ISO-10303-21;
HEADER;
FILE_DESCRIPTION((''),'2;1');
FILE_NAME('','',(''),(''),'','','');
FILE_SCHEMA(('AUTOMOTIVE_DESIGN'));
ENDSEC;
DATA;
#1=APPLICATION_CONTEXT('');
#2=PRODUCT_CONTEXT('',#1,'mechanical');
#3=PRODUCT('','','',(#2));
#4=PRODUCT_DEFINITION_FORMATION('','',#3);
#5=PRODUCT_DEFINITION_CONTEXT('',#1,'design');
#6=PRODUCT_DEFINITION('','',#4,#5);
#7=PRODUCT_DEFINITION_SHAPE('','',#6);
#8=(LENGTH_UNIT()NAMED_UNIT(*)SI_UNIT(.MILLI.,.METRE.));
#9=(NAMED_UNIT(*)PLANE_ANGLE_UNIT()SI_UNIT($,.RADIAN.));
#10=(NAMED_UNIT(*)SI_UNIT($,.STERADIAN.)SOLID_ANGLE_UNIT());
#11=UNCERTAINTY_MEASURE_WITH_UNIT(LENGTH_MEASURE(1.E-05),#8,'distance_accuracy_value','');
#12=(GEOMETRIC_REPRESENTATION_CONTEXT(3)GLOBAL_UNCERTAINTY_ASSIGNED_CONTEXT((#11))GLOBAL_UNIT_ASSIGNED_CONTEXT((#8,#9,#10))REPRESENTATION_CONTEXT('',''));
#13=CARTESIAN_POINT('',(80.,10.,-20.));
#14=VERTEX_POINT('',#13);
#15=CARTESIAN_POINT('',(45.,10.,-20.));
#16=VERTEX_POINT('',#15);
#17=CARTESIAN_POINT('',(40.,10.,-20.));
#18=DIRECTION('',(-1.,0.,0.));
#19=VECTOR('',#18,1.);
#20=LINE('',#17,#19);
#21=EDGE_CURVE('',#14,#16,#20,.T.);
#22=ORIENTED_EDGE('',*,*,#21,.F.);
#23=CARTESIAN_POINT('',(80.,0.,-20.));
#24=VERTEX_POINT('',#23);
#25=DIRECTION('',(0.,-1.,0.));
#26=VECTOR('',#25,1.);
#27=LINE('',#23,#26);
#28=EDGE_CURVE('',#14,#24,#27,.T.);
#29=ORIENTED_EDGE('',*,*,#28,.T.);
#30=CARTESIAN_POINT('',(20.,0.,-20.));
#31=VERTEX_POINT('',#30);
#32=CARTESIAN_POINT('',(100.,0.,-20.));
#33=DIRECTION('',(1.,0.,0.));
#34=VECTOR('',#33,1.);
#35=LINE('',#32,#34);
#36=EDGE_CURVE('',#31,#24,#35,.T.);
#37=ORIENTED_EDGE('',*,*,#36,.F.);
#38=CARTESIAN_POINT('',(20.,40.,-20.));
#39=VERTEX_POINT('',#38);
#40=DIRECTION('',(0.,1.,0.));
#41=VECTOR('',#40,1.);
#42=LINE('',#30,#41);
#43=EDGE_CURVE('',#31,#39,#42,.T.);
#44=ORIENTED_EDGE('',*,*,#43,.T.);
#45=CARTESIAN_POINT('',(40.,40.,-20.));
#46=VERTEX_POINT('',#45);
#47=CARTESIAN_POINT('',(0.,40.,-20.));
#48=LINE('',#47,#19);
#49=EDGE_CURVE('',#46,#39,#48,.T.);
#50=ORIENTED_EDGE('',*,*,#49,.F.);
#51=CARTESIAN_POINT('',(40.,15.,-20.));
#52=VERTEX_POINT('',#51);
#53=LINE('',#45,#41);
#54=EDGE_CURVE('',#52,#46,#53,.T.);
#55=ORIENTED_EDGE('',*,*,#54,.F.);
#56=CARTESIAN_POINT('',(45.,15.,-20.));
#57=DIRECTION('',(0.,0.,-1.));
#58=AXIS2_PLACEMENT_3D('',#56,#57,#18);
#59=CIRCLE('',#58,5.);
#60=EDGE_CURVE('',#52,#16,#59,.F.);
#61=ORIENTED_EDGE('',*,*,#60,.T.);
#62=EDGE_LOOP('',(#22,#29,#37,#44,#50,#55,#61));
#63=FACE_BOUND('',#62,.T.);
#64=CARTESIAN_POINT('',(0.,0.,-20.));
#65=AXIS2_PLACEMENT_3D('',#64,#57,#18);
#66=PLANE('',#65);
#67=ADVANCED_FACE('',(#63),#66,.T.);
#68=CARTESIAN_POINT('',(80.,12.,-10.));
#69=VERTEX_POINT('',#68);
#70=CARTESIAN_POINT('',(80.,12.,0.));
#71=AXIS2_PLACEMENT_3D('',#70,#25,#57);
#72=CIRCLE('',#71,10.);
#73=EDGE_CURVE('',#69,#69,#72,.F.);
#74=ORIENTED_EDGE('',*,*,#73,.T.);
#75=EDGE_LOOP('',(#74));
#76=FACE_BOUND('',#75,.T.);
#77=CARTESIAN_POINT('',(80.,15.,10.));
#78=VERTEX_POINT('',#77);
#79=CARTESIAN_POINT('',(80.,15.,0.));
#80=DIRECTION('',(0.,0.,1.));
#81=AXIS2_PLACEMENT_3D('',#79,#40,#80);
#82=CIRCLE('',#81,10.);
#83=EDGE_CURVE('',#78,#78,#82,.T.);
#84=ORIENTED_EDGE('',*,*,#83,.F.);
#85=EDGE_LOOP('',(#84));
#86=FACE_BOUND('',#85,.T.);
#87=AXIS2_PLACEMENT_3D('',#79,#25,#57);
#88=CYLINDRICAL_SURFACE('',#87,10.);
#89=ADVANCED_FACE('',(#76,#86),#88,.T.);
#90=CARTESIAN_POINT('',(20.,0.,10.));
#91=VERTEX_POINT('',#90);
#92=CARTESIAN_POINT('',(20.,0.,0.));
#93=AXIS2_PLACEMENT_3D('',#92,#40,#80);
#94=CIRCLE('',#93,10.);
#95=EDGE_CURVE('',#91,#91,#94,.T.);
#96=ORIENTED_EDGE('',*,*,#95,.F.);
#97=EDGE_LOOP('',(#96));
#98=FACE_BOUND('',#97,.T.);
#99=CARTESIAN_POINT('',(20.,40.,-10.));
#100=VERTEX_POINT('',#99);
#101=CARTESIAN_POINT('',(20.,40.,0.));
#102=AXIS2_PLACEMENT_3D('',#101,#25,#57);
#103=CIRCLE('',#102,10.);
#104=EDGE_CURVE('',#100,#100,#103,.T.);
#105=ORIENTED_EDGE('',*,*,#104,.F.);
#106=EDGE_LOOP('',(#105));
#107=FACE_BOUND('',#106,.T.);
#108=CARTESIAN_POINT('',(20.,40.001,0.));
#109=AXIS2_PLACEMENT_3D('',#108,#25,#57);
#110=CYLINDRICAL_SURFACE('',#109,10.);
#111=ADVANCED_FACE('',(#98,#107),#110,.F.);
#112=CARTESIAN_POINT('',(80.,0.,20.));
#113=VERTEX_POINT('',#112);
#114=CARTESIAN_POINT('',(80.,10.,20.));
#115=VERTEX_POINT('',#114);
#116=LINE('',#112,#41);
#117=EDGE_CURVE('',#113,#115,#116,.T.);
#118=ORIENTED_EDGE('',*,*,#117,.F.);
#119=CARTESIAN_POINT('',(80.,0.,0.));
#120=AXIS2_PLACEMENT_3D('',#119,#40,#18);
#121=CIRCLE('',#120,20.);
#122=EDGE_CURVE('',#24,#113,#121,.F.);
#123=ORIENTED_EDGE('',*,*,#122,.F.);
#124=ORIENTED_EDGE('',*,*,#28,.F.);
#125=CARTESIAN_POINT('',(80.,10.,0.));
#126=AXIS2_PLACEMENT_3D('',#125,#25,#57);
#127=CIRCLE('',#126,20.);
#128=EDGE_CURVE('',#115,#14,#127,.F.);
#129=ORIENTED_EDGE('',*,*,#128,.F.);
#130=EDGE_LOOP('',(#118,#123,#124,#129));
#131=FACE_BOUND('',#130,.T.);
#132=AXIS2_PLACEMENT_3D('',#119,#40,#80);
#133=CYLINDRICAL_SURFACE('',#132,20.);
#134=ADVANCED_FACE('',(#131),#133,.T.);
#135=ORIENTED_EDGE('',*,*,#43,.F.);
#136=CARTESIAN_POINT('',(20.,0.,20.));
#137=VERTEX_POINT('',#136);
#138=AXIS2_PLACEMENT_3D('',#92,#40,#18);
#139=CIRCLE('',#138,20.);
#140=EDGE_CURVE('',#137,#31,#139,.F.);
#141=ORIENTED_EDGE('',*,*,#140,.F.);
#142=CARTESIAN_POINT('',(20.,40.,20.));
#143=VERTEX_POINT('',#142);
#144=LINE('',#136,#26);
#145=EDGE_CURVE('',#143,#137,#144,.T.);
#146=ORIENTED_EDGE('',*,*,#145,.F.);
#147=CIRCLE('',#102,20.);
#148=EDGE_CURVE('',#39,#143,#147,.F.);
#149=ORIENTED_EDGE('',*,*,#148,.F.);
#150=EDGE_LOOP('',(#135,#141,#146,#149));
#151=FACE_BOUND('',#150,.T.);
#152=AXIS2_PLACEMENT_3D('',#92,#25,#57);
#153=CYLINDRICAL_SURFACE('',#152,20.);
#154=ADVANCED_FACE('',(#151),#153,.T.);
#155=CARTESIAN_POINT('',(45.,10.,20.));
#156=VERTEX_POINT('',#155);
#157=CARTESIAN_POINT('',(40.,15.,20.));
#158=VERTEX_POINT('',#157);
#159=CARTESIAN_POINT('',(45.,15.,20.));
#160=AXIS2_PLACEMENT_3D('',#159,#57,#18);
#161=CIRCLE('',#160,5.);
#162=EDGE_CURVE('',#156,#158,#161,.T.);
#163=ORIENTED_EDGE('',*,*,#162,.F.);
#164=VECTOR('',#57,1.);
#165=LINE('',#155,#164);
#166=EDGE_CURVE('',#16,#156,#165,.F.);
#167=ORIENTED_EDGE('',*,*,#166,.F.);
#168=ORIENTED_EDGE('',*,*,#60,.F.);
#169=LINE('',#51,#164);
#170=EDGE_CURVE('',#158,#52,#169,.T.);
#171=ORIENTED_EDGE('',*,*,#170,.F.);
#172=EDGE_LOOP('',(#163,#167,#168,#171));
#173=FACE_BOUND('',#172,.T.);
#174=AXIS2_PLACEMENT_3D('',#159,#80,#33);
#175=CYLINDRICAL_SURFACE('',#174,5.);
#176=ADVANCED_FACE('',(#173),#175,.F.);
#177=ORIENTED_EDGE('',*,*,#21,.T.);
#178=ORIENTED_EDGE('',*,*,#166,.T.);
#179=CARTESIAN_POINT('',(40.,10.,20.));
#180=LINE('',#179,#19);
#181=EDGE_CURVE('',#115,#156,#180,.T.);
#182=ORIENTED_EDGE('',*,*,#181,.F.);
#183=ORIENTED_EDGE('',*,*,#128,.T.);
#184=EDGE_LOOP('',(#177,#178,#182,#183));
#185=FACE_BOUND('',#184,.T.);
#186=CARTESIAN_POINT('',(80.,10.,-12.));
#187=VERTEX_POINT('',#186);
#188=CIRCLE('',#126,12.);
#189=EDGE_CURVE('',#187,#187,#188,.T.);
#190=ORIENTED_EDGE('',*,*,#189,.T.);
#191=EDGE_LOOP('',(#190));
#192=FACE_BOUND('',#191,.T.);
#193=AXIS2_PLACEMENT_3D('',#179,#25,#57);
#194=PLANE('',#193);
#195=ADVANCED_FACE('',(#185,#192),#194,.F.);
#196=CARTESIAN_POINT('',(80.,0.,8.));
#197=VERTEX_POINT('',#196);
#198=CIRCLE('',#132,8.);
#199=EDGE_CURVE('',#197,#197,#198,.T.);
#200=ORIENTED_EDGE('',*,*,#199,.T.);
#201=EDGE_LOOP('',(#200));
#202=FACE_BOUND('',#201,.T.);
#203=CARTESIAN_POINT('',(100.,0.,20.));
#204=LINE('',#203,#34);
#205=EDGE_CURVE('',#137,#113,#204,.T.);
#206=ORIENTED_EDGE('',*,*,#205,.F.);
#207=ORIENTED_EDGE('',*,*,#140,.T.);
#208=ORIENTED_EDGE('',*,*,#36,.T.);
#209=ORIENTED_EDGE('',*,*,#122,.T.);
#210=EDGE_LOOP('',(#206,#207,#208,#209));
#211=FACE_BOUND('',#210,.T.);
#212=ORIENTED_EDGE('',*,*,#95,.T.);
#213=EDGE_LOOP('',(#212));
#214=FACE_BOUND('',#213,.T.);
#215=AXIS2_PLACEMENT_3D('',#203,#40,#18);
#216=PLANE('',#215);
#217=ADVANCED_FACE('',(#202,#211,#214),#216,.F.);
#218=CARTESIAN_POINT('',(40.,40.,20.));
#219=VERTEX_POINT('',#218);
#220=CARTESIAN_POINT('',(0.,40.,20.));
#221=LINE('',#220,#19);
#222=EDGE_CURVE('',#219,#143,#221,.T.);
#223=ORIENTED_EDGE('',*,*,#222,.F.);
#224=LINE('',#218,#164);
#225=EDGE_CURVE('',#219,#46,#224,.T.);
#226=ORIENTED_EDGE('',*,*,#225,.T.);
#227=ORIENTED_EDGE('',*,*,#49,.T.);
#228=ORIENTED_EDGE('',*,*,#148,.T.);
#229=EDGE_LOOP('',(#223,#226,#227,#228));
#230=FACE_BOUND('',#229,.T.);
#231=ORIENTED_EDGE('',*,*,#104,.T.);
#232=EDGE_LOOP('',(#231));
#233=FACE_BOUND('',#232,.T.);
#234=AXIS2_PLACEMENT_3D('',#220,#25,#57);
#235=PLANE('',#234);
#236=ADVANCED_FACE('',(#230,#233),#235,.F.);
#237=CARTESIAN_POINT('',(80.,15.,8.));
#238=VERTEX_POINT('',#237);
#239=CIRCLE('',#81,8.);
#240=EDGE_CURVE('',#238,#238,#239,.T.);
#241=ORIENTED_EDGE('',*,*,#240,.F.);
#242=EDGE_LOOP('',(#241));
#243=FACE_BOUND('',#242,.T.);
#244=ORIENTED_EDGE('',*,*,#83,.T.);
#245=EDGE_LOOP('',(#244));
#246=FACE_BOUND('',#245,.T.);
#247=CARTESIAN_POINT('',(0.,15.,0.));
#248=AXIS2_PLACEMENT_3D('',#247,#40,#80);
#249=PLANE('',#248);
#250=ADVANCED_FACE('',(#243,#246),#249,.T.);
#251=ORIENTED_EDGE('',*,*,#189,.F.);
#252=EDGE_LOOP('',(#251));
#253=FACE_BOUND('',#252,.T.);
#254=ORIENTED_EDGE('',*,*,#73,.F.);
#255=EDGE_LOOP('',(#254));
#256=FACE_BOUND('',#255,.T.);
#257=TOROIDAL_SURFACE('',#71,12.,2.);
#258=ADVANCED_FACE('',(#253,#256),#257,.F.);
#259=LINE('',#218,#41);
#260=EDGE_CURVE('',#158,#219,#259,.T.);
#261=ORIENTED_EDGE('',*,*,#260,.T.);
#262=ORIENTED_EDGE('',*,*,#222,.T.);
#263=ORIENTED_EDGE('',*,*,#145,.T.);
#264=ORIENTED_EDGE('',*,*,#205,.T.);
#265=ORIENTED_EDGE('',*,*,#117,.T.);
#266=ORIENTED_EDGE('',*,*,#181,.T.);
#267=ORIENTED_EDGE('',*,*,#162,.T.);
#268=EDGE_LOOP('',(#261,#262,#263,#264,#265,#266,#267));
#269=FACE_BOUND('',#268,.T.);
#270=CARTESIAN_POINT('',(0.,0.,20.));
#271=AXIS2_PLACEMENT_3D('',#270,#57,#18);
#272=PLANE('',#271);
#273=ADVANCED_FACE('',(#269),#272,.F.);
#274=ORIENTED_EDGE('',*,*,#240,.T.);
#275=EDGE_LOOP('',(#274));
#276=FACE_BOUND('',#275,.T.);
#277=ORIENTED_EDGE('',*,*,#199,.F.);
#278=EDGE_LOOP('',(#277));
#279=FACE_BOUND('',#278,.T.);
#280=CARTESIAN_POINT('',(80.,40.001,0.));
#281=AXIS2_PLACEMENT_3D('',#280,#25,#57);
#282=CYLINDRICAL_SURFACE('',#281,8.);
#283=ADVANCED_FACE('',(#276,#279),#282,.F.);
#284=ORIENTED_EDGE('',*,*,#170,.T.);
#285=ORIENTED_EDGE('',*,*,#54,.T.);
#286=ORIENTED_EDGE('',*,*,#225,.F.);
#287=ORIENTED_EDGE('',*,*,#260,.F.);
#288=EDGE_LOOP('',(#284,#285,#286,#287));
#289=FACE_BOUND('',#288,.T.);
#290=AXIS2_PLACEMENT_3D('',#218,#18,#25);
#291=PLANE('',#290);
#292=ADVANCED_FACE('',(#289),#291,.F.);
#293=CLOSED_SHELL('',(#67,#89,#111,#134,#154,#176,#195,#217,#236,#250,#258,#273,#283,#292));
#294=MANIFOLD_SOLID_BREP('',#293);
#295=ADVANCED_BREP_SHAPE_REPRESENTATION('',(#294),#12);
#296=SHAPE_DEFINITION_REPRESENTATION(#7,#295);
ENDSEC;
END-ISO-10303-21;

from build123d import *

# Parameters (mm, degrees)
BOSS_EXTRUDE1_DEPTH = 20
FILLET7_RADIUS      = 20
FILLET7_LENGTH      = 40
FILLET8_RADIUS      = 20
FILLET8_LENGTH      = 10
FILLET9_R           = 5
CUT_EXTRUDE1_REACH  = 111.545
SKETCH2_R           = 10
SKETCH2_R_2         = 8
SKETCH2_4_R         = 10
SKETCH2_4_R_2       = 8
BOSS_EXTRUDE2_DEPTH = 15
FILLET10_R          = 2


with BuildPart() as part:
    # Sketch1 → Boss-Extrude1 (new, symmetric)
    with BuildSketch(Plane.XY):
        Polygon((0, 0), (0, 40), (40, 40), (40, 10), (100, 10), (100, 0), align=None)
    extrude(amount=BOSS_EXTRUDE1_DEPTH, both=True)

    # Fillet7: full round fillet: the end face becomes a half cylinder, R = half its width
    fillet7_face = Plane((0, 20, 0), x_dir=(0, 1, 0), z_dir=(-1, 0, 0))  # on the end face: x along it, z out of the body
    fillet7_slab = fillet7_face.offset(-FILLET7_RADIUS / 2) * Box(FILLET7_LENGTH, 2 * FILLET7_RADIUS, FILLET7_RADIUS, mode=Mode.PRIVATE)  # the body's end, R deep
    fillet7_round = Plane((20, 20, 0), x_dir=(-1, 0, 0), z_dir=(0, 1, 0)) * Cylinder(FILLET7_RADIUS, FILLET7_LENGTH, mode=Mode.PRIVATE)  # its axis R under the face
    add(fillet7_slab - fillet7_round, mode=Mode.SUBTRACT)

    # Fillet8: full round fillet: the end face becomes a half cylinder, R = half its width
    fillet8_face = Plane((100, 5, 0), x_dir=(0, 1, 0), z_dir=(1, 0, 0))  # on the end face: x along it, z out of the body
    fillet8_slab = fillet8_face.offset(-FILLET8_RADIUS / 2) * Box(FILLET8_LENGTH, 2 * FILLET8_RADIUS, FILLET8_RADIUS, mode=Mode.PRIVATE)  # the body's end, R deep
    fillet8_round = Plane((80, 5, 0), x_dir=(1, 0, 0), z_dir=(0, 1, 0)) * Cylinder(FILLET8_RADIUS, FILLET8_LENGTH, mode=Mode.PRIVATE)  # its axis R under the face
    add(fillet8_slab - fillet8_round, mode=Mode.SUBTRACT)

    # Fillet9
    fillet9_edges = [part.edges().sort_by_distance(p)[0] for p in [
        (40, 10, 0),
    ]]
    fillet(fillet9_edges, radius=FILLET9_R)

    # Sketch2 → Cut-Extrude1 (cut, up to next)
    with BuildSketch(Plane(origin=(0, 0, 0), x_dir=(1, 0, 0), z_dir=(0, 1, 0)), mode=Mode.PRIVATE) as cut_extrude1_sk1:
        with Locations(Location((20, 0, 0), (0, 0, 90))):
            Circle(SKETCH2_R)
    cut_extrude1_tool1 = extrude(cut_extrude1_sk1.sketch, amount=CUT_EXTRUDE1_REACH, mode=Mode.PRIVATE) & part.part
    # Sketch2 → Cut-Extrude1 (cut, up to next)
    with BuildSketch(Plane(origin=(0, 0, 0), x_dir=(1, 0, 0), z_dir=(0, 1, 0)), mode=Mode.PRIVATE) as cut_extrude1_sk2:
        with Locations(Location((80, 0, 0), (0, 0, 90))):
            Circle(SKETCH2_R_2)
    cut_extrude1_tool2 = extrude(cut_extrude1_sk2.sketch, amount=CUT_EXTRUDE1_REACH, mode=Mode.PRIVATE) & part.part
    add(cut_extrude1_tool1.solids().sort_by_distance((20, 0, 0))[0], mode=Mode.SUBTRACT)
    add(cut_extrude1_tool2.solids().sort_by_distance((80, 0, 0))[0], mode=Mode.SUBTRACT)

    # Sketch2<4> → Boss-Extrude2 (add)
    with BuildSketch(Plane(origin=(0, 0, 0), x_dir=(1, 0, 0), z_dir=(0, 1, 0))):
        with Locations(Location((80, 0, 0), (0, 0, 90))):
            Circle(SKETCH2_4_R)
        with Locations(Location((80, 0, 0), (0, 0, 270))):
            Circle(SKETCH2_4_R_2, mode=Mode.SUBTRACT)
    extrude(amount=BOSS_EXTRUDE2_DEPTH)

    # Fillet10
    fillet10_edges = [part.edges().sort_by_distance(p)[0] for p in [
        (80, 10, 10),
    ]]
    fillet(fillet10_edges, radius=FILLET10_R)


solid = part.part
